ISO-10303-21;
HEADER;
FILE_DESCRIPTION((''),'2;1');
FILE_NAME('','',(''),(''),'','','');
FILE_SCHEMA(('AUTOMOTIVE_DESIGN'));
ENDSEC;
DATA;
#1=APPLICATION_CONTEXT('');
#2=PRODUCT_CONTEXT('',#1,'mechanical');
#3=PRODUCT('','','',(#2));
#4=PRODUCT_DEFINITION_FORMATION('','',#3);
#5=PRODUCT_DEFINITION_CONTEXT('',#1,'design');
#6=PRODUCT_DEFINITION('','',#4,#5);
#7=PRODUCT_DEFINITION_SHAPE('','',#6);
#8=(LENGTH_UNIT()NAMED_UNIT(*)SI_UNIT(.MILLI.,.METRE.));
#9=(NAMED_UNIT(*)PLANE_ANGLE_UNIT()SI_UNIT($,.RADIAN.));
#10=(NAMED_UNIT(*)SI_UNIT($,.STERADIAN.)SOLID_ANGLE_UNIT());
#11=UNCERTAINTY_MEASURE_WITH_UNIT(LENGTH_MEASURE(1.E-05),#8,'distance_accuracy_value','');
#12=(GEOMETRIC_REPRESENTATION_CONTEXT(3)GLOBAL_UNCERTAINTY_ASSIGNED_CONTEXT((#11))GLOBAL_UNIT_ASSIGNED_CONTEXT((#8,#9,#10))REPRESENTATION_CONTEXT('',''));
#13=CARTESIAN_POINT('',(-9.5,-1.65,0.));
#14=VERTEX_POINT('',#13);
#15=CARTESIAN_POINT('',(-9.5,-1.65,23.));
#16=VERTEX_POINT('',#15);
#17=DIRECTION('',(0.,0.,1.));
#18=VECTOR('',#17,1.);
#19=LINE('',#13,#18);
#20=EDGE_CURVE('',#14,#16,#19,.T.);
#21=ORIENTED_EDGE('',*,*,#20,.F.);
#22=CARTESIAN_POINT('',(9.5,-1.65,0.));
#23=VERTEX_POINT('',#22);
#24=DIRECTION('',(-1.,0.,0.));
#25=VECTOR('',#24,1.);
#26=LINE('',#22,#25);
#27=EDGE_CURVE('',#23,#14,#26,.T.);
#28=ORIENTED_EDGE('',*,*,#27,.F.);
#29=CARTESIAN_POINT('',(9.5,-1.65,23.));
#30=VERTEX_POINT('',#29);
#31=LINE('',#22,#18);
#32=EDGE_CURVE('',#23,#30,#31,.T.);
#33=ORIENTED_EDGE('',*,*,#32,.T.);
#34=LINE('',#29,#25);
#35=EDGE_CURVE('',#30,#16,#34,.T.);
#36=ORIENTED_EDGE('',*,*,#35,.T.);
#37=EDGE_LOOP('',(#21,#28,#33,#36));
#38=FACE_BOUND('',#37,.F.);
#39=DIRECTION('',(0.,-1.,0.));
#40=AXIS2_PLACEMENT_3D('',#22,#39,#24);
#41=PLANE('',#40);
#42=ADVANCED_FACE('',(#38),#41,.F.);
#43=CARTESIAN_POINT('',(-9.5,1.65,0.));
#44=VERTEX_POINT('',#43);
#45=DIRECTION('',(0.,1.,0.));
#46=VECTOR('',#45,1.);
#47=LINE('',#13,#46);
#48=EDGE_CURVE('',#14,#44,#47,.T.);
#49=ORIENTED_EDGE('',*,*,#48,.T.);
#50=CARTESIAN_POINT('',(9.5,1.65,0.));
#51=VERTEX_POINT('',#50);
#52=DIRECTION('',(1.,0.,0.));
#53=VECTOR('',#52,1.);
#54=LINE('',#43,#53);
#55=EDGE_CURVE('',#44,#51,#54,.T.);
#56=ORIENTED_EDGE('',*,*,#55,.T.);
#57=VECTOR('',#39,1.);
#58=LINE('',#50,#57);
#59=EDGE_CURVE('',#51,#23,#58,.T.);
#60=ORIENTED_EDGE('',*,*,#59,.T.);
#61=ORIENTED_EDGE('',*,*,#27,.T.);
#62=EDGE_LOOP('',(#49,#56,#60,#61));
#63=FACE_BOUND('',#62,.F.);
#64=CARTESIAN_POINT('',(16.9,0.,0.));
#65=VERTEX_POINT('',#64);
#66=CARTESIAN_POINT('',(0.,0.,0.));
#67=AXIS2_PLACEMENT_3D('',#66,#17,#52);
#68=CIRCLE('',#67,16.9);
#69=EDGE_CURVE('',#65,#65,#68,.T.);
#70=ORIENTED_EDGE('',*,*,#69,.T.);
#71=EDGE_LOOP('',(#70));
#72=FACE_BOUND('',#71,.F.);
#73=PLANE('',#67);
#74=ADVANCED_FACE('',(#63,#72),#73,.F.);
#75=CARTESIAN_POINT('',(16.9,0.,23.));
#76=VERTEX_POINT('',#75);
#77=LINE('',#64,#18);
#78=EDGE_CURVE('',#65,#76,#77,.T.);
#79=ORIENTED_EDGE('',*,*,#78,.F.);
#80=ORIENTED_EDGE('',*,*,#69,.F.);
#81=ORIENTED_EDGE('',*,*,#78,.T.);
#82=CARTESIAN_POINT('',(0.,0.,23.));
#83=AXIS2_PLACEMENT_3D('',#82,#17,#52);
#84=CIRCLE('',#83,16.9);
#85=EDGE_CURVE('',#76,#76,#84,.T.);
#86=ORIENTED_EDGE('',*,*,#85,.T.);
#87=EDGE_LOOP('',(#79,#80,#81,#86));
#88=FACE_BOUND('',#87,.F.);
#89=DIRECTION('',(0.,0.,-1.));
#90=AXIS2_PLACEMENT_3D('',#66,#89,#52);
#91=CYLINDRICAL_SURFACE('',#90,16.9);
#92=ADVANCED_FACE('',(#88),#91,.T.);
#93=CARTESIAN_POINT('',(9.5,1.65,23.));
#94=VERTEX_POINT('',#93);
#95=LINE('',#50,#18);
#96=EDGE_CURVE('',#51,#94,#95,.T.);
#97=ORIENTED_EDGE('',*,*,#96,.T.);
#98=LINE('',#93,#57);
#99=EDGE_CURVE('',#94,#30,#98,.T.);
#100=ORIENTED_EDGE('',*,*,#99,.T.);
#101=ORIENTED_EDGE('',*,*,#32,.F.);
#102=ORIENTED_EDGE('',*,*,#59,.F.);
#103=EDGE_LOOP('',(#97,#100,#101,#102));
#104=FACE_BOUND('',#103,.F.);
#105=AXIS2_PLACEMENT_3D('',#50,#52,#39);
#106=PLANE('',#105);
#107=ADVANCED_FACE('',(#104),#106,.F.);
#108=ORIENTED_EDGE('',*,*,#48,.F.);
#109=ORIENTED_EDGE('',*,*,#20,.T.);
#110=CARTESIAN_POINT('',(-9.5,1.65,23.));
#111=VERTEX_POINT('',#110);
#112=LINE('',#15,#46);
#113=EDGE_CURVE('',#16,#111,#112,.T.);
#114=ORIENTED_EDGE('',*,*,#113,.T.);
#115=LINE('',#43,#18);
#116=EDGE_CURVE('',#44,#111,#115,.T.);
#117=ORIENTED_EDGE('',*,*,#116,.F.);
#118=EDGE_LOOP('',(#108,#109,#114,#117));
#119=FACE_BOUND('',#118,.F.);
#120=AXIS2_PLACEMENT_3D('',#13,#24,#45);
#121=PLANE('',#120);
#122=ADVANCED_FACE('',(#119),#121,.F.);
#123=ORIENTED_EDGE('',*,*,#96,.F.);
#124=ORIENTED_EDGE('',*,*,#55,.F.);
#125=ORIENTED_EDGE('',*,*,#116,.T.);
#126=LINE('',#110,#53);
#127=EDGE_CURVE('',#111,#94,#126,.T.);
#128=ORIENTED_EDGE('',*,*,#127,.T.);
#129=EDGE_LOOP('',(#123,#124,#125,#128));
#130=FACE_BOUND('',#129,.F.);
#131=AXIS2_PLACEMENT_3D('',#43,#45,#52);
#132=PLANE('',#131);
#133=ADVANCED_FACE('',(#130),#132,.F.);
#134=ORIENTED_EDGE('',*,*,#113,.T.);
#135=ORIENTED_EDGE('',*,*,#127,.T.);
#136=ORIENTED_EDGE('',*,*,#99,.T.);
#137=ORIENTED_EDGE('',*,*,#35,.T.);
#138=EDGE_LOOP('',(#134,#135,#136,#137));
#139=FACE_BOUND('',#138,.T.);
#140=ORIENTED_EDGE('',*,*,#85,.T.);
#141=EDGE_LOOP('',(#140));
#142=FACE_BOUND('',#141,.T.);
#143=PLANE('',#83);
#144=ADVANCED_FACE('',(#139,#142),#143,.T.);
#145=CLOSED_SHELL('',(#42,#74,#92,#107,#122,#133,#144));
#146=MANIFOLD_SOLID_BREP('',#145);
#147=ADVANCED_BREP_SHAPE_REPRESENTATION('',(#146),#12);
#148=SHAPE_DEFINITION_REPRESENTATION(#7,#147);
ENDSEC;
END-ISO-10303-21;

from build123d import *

# Parameters (mm, degrees)
F0_R     = 16.9
F1_DEPTH = 23


with BuildPart() as f1:
    # F0 (on Top) → F1 (new body)
    with BuildSketch(Plane.XY):
        Circle(F0_R)
        Polygon((-9.5, -1.65), (-9.5, 0), (-9.5, 1.65), (0, 1.65), (9.5, 1.65), (9.5, 0), (9.5, -1.65), (0, -1.65), align=None, mode=Mode.SUBTRACT)
    extrude(amount=F1_DEPTH)


solid = f1.part
